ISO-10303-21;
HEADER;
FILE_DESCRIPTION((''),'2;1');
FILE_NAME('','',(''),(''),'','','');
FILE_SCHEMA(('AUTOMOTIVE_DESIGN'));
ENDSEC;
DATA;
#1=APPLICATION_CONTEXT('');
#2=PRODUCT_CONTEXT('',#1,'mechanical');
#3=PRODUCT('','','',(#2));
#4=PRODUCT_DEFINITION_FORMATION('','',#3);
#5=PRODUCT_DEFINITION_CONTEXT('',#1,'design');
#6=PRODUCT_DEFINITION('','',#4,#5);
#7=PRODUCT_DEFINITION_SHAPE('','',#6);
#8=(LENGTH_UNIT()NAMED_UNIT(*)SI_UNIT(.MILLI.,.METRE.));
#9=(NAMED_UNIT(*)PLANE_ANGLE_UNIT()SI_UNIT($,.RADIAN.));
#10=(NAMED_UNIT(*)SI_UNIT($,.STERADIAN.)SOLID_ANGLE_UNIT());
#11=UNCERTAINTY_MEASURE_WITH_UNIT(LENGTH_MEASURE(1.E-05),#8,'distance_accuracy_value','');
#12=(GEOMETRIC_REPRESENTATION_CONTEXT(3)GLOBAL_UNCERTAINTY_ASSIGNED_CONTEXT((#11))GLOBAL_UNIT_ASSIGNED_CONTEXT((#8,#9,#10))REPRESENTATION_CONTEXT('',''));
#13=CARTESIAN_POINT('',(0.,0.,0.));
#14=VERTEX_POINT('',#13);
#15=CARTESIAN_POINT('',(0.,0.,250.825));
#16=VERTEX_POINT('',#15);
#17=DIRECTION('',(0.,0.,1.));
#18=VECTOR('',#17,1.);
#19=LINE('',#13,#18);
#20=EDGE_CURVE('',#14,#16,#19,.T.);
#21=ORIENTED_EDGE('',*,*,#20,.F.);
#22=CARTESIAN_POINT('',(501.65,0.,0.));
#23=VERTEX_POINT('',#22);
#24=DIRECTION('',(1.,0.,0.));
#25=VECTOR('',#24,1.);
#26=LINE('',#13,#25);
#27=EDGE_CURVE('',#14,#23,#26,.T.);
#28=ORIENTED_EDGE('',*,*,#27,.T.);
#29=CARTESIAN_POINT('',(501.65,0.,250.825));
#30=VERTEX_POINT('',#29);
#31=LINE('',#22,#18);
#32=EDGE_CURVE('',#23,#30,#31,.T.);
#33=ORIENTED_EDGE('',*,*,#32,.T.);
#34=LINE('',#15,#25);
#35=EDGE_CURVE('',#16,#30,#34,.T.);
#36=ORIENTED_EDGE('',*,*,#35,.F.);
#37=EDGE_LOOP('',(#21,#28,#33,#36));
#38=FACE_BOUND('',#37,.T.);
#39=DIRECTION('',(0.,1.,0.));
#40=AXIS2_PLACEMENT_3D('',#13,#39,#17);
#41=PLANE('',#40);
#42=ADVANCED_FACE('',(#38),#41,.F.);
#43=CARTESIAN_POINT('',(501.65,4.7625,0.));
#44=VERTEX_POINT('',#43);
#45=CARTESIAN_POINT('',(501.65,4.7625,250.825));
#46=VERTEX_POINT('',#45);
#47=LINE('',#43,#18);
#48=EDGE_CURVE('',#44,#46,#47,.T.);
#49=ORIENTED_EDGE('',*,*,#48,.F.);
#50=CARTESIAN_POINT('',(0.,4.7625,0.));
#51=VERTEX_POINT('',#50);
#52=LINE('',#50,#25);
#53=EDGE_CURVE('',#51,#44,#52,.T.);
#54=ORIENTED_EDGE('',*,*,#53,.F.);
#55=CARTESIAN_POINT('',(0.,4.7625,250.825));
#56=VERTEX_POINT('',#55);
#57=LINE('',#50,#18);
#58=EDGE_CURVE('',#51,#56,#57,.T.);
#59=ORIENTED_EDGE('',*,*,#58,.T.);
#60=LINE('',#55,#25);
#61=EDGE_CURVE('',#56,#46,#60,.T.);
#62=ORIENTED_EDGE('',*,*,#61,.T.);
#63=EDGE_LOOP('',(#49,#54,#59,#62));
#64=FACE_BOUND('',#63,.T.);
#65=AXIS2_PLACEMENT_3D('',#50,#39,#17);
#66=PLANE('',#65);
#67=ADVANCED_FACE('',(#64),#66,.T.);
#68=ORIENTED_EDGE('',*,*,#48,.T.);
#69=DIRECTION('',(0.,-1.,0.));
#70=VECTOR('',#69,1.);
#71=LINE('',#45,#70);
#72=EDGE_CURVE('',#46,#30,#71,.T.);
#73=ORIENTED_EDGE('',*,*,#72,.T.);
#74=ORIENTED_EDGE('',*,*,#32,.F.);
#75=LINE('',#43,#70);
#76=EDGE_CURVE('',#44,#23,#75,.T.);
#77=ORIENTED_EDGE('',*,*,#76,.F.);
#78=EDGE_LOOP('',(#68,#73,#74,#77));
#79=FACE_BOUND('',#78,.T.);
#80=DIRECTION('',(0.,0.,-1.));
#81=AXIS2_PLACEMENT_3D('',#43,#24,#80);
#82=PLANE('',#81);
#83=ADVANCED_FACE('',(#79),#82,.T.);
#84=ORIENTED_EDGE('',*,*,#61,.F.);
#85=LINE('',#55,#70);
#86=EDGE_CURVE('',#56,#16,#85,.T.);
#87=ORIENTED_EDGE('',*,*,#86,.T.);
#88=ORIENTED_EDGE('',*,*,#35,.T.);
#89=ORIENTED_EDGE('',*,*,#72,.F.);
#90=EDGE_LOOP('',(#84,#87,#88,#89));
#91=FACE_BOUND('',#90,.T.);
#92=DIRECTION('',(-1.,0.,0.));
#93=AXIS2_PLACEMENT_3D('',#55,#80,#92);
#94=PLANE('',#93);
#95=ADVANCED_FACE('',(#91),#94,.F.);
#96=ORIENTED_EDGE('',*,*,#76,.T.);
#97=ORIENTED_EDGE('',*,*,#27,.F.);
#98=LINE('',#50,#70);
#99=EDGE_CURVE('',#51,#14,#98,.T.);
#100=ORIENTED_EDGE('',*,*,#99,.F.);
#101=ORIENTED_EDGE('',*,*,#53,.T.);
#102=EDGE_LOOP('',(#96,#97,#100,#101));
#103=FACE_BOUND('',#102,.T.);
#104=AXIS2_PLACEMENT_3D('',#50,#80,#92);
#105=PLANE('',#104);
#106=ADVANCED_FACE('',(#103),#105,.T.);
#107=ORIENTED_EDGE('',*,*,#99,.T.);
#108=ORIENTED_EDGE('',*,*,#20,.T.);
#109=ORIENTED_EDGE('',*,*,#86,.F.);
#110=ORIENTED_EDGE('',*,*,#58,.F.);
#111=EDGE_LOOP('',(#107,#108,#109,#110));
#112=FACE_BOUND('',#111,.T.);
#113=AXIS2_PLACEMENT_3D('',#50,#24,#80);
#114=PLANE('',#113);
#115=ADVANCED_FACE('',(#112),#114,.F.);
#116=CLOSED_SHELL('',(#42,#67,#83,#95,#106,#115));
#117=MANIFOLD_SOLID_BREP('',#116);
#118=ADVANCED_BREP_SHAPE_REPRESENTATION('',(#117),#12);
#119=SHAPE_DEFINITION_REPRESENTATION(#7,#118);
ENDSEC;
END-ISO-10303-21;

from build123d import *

# Parameters (mm, degrees)
SKETCH1_W           = 501.65
SKETCH1_H           = 250.825
BOSS_EXTRUDE1_DEPTH = 4.7625


with BuildPart() as part:
    # Sketch1 → Boss-Extrude1 (new body)
    with BuildSketch(Plane(origin=(0, 0, 0), x_dir=(1, 0, 0), z_dir=(0, 1, 0))):
        with Locations((250.825, -125.4125)):
            Rectangle(SKETCH1_W, SKETCH1_H)
    extrude(amount=BOSS_EXTRUDE1_DEPTH)


solid = part.part
